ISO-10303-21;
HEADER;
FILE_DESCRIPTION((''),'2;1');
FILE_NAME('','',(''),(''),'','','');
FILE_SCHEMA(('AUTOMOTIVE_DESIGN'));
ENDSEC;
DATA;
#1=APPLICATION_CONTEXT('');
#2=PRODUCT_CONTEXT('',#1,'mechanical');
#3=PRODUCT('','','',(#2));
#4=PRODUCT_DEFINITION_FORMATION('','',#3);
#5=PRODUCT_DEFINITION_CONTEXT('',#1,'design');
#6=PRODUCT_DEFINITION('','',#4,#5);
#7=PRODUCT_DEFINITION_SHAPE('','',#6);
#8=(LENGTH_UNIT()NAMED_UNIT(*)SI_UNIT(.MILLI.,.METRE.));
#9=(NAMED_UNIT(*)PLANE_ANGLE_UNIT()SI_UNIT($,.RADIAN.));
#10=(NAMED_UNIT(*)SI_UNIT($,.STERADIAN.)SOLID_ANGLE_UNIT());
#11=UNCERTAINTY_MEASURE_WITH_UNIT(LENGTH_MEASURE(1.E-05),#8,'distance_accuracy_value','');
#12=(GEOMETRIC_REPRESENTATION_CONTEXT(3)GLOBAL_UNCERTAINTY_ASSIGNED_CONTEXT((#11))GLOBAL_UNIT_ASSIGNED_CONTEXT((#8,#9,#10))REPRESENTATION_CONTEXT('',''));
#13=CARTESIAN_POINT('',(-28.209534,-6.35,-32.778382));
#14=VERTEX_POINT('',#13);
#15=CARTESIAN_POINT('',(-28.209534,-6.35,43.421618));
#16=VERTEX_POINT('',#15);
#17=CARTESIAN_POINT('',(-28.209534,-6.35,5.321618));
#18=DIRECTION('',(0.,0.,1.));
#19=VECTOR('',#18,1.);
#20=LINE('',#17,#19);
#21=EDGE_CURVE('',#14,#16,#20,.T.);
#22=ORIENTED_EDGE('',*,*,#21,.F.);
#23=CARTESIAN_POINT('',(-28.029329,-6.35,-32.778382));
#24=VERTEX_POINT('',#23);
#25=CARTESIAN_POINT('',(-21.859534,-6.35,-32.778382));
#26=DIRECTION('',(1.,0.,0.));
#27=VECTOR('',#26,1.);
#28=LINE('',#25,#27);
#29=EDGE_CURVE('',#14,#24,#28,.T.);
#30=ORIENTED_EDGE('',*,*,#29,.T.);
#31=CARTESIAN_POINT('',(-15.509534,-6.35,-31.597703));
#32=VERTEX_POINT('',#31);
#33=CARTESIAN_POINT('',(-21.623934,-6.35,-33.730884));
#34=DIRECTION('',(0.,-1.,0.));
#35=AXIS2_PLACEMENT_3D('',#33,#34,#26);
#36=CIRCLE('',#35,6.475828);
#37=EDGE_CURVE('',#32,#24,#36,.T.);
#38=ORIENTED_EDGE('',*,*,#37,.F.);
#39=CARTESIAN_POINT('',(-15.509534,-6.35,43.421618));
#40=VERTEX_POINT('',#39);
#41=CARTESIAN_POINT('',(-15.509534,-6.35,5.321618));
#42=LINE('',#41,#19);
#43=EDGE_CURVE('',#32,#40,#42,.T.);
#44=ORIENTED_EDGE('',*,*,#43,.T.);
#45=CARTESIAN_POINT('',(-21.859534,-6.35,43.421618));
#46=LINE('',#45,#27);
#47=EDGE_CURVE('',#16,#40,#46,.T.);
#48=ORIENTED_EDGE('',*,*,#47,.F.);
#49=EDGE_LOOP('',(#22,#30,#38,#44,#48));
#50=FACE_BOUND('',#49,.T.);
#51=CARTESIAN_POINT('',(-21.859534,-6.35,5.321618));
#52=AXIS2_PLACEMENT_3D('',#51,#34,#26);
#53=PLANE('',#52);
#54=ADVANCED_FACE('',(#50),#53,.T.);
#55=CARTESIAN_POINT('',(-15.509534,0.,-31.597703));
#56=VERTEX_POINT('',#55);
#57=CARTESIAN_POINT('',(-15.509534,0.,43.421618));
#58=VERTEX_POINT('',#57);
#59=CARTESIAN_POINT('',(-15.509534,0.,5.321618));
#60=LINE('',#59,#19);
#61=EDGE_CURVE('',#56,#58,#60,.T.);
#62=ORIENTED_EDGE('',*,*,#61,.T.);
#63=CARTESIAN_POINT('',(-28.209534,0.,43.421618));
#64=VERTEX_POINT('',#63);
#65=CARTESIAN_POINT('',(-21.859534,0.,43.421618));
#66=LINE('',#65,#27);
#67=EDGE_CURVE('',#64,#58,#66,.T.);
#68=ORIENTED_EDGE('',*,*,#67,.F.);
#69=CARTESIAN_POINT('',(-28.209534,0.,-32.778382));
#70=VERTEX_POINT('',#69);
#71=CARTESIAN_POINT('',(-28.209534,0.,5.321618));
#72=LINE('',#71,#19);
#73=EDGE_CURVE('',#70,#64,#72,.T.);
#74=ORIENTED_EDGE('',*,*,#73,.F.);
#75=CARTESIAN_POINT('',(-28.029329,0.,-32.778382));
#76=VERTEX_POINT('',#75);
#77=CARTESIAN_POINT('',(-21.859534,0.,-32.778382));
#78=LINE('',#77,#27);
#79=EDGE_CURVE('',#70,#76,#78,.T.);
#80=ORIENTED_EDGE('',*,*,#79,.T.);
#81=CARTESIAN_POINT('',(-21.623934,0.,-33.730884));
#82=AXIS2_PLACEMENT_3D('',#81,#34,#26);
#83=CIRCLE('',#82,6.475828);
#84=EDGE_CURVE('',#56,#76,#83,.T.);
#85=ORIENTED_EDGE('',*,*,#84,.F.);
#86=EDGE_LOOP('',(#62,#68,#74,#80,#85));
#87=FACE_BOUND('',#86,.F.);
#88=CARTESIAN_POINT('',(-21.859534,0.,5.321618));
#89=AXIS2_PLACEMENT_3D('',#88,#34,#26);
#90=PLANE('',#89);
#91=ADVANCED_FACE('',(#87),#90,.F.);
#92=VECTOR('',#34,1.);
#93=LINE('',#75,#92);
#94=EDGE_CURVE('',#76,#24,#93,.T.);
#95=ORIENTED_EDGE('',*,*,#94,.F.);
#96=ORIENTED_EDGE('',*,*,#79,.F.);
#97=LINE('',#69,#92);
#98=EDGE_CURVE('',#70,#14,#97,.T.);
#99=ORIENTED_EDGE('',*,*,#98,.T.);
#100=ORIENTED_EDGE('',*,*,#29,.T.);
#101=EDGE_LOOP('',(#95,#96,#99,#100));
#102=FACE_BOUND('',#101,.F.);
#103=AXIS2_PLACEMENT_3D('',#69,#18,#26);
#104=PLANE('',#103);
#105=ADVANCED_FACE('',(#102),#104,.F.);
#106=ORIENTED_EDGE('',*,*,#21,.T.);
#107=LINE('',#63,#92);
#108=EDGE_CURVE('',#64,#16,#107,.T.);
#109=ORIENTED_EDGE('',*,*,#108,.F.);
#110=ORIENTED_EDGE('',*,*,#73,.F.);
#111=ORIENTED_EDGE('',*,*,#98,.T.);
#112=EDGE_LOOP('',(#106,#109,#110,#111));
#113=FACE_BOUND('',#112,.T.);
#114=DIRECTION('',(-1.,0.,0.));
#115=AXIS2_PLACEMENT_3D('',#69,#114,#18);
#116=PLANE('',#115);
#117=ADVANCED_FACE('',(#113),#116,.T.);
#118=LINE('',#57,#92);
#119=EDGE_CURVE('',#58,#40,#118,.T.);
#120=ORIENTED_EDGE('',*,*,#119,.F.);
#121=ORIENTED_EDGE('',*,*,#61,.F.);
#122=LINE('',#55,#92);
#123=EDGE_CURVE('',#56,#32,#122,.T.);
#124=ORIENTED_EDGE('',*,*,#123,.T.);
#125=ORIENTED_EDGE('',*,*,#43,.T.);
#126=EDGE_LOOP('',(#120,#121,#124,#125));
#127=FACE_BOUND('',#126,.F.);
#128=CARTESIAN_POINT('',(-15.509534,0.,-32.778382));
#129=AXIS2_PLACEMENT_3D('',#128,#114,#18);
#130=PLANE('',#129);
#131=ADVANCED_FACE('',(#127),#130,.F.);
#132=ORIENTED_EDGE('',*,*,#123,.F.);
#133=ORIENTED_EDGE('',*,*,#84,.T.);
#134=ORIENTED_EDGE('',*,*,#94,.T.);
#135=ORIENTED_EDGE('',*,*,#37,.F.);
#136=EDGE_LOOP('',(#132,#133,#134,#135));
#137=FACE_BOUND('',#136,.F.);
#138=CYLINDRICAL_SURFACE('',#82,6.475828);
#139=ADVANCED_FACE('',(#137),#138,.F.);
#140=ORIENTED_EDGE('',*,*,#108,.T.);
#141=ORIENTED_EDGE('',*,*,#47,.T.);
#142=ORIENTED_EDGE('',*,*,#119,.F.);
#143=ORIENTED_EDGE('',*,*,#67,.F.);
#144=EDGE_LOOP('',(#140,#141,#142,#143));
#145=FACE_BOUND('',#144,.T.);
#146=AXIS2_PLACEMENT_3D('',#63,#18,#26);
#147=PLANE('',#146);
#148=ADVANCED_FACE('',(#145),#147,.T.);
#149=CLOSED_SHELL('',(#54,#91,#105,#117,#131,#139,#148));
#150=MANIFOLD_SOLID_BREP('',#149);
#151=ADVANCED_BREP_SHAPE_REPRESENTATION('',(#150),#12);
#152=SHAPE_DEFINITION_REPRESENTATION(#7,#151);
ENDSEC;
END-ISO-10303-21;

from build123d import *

# Parameters (mm, degrees)
F0_W     = 12.7
F0_H     = 76.2
F1_DEPTH = 6.35
F2_R     = 6.475828
F3_DEPTH = 12.7


with BuildPart() as f1:
    # F0 (on Front) → F1 (new body)
    with BuildSketch(Plane.XZ):
        with Locations((-21.859534, 5.321618)):
            Rectangle(F0_W, F0_H)
    extrude(amount=F1_DEPTH)

    # F2 (on Front) → F3 (cut, symmetric)
    with BuildSketch(Plane.XZ):
        with Locations((-21.623934, -33.730884)):
            Circle(F2_R)
    extrude(amount=F3_DEPTH, both=True, mode=Mode.SUBTRACT)


solid = f1.part
